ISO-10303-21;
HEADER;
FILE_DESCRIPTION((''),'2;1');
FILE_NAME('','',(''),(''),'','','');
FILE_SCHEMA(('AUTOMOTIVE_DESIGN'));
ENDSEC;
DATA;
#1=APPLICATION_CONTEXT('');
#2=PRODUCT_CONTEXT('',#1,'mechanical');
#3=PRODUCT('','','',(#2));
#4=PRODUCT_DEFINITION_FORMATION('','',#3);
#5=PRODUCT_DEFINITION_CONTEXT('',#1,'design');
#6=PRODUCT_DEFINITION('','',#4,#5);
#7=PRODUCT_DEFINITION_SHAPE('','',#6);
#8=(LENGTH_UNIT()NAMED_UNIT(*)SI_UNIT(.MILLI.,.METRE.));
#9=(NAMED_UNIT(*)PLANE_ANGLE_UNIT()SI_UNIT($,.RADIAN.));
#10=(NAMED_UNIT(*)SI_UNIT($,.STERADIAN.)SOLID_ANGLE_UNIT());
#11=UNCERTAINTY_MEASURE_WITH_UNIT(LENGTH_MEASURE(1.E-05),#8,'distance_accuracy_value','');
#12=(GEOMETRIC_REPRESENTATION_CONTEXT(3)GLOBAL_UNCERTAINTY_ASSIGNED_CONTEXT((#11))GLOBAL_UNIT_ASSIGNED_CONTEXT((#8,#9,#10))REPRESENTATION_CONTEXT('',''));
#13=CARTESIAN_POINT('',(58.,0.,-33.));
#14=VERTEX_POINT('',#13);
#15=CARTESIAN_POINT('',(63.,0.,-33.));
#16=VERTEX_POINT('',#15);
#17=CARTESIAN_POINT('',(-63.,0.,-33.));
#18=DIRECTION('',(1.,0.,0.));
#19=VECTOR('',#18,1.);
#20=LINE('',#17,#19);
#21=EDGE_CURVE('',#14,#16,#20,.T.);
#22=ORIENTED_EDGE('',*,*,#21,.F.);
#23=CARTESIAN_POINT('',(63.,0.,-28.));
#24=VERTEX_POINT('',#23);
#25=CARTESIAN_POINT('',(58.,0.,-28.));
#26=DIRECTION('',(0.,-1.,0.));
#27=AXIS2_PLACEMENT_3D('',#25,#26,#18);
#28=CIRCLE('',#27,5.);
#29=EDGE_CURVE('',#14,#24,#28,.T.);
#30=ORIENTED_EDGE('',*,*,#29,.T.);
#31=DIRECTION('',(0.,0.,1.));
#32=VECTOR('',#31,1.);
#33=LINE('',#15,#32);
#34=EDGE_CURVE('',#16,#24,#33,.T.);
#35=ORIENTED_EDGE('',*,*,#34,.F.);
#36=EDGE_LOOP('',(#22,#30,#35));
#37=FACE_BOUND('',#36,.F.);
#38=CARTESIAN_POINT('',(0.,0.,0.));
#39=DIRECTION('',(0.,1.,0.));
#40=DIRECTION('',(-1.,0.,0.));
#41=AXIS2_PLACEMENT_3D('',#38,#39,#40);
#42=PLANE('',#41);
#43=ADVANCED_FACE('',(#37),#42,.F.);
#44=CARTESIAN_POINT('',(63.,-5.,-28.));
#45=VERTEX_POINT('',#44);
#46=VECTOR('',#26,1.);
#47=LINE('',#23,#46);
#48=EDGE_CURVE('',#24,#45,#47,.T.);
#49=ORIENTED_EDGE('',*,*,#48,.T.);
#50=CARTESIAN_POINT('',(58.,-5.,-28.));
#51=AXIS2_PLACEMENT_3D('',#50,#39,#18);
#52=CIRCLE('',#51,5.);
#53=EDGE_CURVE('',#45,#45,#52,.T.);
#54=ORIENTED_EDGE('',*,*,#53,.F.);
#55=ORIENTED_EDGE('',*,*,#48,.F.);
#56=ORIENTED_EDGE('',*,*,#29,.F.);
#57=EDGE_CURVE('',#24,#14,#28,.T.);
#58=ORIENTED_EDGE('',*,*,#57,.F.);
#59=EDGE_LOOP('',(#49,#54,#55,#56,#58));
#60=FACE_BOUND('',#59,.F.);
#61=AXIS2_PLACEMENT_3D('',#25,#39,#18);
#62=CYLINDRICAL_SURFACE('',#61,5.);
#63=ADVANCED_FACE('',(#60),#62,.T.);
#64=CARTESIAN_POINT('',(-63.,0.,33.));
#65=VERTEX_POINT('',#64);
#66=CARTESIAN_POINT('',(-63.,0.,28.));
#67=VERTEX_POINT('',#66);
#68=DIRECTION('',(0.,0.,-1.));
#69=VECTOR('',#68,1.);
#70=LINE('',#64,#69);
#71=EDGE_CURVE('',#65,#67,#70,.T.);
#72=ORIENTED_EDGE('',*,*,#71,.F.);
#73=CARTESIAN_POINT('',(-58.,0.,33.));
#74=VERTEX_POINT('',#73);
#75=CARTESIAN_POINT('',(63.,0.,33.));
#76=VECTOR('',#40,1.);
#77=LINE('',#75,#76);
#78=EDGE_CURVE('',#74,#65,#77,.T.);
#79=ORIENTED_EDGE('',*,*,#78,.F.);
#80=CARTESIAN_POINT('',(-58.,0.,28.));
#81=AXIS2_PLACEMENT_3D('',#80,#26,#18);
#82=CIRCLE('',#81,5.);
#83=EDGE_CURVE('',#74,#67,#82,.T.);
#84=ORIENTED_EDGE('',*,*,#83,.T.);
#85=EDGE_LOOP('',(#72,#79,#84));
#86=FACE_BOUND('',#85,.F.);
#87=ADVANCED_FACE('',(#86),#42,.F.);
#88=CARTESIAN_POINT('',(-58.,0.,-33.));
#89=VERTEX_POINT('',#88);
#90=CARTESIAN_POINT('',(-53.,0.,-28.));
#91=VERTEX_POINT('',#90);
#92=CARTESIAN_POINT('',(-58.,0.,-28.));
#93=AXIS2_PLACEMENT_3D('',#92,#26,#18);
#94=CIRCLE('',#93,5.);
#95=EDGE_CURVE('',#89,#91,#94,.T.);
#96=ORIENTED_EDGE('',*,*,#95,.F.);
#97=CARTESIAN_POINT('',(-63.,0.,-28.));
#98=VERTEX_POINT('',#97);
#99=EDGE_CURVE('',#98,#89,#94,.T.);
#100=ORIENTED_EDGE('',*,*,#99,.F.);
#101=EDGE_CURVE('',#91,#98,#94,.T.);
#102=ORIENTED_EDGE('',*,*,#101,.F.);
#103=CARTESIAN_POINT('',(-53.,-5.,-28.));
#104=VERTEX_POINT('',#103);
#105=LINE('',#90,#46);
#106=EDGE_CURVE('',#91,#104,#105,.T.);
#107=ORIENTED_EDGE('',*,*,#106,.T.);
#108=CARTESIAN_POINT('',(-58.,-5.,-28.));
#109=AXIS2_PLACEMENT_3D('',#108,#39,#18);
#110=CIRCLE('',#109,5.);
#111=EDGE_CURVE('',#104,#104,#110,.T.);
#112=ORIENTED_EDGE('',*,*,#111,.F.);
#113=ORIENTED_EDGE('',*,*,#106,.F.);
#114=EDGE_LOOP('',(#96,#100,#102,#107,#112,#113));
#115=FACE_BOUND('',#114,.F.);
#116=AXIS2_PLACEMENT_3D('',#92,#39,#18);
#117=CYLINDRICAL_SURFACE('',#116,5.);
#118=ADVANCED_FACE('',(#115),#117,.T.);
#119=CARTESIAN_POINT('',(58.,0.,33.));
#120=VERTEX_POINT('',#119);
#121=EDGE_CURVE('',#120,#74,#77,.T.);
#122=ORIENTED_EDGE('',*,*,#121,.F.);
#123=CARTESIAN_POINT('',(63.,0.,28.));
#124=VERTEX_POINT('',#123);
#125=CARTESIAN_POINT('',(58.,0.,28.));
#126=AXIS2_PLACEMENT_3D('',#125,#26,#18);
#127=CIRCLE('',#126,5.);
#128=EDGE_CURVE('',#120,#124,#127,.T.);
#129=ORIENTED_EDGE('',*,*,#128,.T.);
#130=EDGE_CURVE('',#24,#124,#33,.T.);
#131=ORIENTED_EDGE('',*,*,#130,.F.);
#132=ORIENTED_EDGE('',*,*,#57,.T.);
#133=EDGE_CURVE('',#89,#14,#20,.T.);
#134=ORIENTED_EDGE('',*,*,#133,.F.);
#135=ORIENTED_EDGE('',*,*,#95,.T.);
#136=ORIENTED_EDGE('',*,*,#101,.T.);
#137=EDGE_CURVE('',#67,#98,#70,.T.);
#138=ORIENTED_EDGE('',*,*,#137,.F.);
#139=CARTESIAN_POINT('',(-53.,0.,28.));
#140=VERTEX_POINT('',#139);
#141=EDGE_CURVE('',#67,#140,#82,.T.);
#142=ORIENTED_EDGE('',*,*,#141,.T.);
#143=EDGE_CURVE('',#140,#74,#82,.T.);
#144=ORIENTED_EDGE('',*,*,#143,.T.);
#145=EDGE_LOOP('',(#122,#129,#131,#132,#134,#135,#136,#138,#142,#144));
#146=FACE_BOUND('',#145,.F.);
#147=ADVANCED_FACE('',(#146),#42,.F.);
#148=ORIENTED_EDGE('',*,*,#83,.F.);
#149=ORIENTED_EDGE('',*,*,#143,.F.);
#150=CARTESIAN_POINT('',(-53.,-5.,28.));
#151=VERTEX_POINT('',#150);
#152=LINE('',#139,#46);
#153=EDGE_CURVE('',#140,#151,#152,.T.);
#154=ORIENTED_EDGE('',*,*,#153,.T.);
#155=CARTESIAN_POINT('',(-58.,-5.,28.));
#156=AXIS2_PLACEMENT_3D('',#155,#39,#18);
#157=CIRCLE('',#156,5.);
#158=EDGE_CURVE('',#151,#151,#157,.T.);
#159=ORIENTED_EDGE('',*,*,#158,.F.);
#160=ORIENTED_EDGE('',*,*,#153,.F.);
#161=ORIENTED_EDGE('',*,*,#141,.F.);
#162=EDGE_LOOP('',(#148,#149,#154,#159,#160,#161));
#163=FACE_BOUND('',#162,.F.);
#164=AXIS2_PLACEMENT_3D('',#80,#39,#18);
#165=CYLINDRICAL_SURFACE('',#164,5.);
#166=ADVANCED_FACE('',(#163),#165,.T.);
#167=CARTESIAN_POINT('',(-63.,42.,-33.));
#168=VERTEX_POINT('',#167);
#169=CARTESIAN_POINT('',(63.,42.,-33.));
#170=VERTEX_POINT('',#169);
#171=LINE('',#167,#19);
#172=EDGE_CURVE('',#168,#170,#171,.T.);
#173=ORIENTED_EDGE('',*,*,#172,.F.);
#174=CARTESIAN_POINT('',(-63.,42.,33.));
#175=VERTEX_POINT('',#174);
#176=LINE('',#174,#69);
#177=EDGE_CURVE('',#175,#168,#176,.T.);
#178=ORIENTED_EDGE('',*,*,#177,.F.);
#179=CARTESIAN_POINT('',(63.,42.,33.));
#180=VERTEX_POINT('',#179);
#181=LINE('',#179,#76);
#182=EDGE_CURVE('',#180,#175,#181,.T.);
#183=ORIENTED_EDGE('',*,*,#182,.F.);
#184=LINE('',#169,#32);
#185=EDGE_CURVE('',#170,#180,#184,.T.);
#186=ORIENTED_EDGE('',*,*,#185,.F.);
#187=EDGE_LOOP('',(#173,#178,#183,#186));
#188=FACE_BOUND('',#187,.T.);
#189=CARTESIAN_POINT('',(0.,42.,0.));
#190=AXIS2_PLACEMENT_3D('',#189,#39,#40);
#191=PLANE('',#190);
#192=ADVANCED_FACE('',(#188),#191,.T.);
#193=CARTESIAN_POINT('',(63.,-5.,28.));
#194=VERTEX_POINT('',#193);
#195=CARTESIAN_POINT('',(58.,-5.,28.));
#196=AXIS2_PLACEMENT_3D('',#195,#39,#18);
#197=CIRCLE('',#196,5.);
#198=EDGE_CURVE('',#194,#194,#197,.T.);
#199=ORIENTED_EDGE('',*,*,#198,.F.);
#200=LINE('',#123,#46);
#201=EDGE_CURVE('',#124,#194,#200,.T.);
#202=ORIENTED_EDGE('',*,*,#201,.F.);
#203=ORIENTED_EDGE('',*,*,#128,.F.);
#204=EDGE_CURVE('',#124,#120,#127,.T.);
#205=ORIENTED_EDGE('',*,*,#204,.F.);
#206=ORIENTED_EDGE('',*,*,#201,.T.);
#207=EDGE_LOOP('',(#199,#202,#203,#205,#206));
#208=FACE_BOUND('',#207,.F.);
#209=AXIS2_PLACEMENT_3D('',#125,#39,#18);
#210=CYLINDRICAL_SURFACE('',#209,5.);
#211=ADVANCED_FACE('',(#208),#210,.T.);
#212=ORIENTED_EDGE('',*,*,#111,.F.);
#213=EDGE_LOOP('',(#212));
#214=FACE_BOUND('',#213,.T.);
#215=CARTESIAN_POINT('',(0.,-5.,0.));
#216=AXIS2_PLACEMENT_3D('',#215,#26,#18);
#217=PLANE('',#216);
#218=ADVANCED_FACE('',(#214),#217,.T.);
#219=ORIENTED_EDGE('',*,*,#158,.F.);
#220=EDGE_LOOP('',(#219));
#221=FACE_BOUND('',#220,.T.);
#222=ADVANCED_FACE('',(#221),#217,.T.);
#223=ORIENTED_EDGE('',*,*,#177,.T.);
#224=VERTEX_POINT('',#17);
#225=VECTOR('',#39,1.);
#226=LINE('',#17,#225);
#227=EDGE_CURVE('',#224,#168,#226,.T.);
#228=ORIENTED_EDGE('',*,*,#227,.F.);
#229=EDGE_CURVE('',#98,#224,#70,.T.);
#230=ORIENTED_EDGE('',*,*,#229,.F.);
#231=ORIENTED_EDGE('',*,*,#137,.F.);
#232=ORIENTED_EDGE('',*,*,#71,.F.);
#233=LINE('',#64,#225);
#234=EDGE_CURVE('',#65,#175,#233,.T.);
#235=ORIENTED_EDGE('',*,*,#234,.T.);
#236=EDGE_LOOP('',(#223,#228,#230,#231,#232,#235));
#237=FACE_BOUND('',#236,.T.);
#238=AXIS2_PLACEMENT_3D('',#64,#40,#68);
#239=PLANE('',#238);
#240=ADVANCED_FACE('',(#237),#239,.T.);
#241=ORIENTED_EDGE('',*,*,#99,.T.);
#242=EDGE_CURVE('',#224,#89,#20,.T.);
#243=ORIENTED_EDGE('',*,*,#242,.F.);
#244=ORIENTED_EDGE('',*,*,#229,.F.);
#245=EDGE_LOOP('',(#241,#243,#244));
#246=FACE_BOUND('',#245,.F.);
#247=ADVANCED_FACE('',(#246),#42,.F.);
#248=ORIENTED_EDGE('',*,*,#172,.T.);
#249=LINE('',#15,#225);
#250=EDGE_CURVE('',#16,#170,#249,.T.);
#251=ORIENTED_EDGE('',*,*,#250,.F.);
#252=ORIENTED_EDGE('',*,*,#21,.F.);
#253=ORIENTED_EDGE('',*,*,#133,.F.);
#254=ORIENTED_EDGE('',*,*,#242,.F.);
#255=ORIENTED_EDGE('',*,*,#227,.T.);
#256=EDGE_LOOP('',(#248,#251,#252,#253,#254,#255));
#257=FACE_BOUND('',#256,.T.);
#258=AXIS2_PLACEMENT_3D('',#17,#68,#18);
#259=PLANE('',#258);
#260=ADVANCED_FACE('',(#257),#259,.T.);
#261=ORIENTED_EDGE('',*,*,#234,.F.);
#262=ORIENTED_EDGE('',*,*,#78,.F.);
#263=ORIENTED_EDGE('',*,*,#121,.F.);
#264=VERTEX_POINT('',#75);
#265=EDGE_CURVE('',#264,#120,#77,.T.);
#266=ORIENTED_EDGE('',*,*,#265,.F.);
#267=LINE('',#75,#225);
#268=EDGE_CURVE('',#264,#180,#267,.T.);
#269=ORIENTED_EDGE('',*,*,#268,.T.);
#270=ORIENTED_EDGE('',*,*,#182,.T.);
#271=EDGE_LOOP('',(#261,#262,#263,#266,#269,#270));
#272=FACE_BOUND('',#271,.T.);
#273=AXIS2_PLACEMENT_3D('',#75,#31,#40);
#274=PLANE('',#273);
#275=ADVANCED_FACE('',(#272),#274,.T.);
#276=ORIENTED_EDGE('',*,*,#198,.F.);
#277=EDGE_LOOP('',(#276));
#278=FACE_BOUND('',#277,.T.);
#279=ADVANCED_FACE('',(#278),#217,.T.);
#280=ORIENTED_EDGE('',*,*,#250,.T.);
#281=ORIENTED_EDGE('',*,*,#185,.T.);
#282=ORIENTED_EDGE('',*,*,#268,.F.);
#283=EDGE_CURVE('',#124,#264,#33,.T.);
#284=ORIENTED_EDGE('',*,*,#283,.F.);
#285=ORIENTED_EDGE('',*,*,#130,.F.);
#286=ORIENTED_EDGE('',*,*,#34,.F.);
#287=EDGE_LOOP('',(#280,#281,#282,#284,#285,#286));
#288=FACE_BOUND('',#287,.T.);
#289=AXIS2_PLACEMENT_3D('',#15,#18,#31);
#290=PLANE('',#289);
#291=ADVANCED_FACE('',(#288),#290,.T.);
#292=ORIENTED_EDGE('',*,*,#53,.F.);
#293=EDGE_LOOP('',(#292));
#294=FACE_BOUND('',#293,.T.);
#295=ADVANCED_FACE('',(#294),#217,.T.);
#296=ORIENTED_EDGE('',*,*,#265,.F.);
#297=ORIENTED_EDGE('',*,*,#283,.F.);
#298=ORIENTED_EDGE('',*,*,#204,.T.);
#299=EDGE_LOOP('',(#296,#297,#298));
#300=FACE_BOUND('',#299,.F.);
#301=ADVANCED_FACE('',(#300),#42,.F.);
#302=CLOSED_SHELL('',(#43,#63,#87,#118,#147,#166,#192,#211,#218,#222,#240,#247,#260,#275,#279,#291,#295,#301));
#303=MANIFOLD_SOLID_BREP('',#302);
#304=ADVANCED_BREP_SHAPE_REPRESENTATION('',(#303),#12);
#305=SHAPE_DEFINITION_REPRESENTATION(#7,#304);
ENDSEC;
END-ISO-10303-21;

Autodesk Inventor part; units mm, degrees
ref_plane "YZ Plane" through (0, 0, 0) normal (1, 0, 0) x (0, 1, 0)
ref_plane "XZ Plane" through (0, 0, 0) normal (0, 1, 0) x (-1, 0, 0)
ref_plane "XY Plane" through (0, 0, 0) normal (0, 0, 1) x (1, 0, 0)
sketch "Szkic1" plane through (0, 0, 0) normal (0, 1, 0) x (-1, 0, 0)
  line L0 (63, -33) -> (-63, -33)
  line L1 (-63, -33) -> (-63, 33)
  line L2 (-63, 33) -> (63, 33)
  line L3 (63, 33) -> (63, -33)
  line L4 (63, -33) -> (-63, 33) construction
  line L5 (-63, -33) -> (63, 33) construction
  point P0 (0, 0)
  dimension "d0" = 126
  dimension "d1" = 66
extrude "Wyciągnięcie proste1" add sketch "Szkic1" along normal blind 42
sketch "Szkic2" plane through (0, 0, 0) normal (0, -1, 0) x (1, 0, 0)
  line L0 (-63, -33) -> (63, -33) projected
  line L1 (63, -33) -> (63, 33) projected
  line L2 (63, 33) -> (-63, 33) projected
  line L3 (-63, 33) -> (-63, -33) projected
  line L4 (-58, 28) -> (58, 28)
  line L5 (58, 28) -> (58, -28)
  line L6 (58, -28) -> (-58, -28)
  line L7 (-58, -28) -> (-58, 28)
  circle A0 centre (-58, 28) radius 5
  circle A1 centre (58, 28) radius 5
  circle A2 centre (58, -28) radius 5
  circle A3 centre (-58, -28) radius 5
  point P0 (0, 0)
  dimension "d4" = 5
  dimension "d5" = 10
  dimension "d6" = 10
  dimension "d7" = 10
  dimension "d8" = 10
extrude "Wyciągnięcie proste2" add sketch "Szkic2" along normal blind 5 contours A3 L7 L6 | A2 L6 L5 | L6 L7 A3 | A0 L4 L7 | A2 L5 L6 | L7 L4 A0 | A1 L5 L4 | A1 L4 L5
equation "\"d5\" = 2 * d4"
equation "\"d6\" = 2 * d4"
equation "\"d7\" = 2 * d4"
equation "\"d8\" = 2 * d4"
equation "\"d9\" = d4"
properties part number "czujnik"
